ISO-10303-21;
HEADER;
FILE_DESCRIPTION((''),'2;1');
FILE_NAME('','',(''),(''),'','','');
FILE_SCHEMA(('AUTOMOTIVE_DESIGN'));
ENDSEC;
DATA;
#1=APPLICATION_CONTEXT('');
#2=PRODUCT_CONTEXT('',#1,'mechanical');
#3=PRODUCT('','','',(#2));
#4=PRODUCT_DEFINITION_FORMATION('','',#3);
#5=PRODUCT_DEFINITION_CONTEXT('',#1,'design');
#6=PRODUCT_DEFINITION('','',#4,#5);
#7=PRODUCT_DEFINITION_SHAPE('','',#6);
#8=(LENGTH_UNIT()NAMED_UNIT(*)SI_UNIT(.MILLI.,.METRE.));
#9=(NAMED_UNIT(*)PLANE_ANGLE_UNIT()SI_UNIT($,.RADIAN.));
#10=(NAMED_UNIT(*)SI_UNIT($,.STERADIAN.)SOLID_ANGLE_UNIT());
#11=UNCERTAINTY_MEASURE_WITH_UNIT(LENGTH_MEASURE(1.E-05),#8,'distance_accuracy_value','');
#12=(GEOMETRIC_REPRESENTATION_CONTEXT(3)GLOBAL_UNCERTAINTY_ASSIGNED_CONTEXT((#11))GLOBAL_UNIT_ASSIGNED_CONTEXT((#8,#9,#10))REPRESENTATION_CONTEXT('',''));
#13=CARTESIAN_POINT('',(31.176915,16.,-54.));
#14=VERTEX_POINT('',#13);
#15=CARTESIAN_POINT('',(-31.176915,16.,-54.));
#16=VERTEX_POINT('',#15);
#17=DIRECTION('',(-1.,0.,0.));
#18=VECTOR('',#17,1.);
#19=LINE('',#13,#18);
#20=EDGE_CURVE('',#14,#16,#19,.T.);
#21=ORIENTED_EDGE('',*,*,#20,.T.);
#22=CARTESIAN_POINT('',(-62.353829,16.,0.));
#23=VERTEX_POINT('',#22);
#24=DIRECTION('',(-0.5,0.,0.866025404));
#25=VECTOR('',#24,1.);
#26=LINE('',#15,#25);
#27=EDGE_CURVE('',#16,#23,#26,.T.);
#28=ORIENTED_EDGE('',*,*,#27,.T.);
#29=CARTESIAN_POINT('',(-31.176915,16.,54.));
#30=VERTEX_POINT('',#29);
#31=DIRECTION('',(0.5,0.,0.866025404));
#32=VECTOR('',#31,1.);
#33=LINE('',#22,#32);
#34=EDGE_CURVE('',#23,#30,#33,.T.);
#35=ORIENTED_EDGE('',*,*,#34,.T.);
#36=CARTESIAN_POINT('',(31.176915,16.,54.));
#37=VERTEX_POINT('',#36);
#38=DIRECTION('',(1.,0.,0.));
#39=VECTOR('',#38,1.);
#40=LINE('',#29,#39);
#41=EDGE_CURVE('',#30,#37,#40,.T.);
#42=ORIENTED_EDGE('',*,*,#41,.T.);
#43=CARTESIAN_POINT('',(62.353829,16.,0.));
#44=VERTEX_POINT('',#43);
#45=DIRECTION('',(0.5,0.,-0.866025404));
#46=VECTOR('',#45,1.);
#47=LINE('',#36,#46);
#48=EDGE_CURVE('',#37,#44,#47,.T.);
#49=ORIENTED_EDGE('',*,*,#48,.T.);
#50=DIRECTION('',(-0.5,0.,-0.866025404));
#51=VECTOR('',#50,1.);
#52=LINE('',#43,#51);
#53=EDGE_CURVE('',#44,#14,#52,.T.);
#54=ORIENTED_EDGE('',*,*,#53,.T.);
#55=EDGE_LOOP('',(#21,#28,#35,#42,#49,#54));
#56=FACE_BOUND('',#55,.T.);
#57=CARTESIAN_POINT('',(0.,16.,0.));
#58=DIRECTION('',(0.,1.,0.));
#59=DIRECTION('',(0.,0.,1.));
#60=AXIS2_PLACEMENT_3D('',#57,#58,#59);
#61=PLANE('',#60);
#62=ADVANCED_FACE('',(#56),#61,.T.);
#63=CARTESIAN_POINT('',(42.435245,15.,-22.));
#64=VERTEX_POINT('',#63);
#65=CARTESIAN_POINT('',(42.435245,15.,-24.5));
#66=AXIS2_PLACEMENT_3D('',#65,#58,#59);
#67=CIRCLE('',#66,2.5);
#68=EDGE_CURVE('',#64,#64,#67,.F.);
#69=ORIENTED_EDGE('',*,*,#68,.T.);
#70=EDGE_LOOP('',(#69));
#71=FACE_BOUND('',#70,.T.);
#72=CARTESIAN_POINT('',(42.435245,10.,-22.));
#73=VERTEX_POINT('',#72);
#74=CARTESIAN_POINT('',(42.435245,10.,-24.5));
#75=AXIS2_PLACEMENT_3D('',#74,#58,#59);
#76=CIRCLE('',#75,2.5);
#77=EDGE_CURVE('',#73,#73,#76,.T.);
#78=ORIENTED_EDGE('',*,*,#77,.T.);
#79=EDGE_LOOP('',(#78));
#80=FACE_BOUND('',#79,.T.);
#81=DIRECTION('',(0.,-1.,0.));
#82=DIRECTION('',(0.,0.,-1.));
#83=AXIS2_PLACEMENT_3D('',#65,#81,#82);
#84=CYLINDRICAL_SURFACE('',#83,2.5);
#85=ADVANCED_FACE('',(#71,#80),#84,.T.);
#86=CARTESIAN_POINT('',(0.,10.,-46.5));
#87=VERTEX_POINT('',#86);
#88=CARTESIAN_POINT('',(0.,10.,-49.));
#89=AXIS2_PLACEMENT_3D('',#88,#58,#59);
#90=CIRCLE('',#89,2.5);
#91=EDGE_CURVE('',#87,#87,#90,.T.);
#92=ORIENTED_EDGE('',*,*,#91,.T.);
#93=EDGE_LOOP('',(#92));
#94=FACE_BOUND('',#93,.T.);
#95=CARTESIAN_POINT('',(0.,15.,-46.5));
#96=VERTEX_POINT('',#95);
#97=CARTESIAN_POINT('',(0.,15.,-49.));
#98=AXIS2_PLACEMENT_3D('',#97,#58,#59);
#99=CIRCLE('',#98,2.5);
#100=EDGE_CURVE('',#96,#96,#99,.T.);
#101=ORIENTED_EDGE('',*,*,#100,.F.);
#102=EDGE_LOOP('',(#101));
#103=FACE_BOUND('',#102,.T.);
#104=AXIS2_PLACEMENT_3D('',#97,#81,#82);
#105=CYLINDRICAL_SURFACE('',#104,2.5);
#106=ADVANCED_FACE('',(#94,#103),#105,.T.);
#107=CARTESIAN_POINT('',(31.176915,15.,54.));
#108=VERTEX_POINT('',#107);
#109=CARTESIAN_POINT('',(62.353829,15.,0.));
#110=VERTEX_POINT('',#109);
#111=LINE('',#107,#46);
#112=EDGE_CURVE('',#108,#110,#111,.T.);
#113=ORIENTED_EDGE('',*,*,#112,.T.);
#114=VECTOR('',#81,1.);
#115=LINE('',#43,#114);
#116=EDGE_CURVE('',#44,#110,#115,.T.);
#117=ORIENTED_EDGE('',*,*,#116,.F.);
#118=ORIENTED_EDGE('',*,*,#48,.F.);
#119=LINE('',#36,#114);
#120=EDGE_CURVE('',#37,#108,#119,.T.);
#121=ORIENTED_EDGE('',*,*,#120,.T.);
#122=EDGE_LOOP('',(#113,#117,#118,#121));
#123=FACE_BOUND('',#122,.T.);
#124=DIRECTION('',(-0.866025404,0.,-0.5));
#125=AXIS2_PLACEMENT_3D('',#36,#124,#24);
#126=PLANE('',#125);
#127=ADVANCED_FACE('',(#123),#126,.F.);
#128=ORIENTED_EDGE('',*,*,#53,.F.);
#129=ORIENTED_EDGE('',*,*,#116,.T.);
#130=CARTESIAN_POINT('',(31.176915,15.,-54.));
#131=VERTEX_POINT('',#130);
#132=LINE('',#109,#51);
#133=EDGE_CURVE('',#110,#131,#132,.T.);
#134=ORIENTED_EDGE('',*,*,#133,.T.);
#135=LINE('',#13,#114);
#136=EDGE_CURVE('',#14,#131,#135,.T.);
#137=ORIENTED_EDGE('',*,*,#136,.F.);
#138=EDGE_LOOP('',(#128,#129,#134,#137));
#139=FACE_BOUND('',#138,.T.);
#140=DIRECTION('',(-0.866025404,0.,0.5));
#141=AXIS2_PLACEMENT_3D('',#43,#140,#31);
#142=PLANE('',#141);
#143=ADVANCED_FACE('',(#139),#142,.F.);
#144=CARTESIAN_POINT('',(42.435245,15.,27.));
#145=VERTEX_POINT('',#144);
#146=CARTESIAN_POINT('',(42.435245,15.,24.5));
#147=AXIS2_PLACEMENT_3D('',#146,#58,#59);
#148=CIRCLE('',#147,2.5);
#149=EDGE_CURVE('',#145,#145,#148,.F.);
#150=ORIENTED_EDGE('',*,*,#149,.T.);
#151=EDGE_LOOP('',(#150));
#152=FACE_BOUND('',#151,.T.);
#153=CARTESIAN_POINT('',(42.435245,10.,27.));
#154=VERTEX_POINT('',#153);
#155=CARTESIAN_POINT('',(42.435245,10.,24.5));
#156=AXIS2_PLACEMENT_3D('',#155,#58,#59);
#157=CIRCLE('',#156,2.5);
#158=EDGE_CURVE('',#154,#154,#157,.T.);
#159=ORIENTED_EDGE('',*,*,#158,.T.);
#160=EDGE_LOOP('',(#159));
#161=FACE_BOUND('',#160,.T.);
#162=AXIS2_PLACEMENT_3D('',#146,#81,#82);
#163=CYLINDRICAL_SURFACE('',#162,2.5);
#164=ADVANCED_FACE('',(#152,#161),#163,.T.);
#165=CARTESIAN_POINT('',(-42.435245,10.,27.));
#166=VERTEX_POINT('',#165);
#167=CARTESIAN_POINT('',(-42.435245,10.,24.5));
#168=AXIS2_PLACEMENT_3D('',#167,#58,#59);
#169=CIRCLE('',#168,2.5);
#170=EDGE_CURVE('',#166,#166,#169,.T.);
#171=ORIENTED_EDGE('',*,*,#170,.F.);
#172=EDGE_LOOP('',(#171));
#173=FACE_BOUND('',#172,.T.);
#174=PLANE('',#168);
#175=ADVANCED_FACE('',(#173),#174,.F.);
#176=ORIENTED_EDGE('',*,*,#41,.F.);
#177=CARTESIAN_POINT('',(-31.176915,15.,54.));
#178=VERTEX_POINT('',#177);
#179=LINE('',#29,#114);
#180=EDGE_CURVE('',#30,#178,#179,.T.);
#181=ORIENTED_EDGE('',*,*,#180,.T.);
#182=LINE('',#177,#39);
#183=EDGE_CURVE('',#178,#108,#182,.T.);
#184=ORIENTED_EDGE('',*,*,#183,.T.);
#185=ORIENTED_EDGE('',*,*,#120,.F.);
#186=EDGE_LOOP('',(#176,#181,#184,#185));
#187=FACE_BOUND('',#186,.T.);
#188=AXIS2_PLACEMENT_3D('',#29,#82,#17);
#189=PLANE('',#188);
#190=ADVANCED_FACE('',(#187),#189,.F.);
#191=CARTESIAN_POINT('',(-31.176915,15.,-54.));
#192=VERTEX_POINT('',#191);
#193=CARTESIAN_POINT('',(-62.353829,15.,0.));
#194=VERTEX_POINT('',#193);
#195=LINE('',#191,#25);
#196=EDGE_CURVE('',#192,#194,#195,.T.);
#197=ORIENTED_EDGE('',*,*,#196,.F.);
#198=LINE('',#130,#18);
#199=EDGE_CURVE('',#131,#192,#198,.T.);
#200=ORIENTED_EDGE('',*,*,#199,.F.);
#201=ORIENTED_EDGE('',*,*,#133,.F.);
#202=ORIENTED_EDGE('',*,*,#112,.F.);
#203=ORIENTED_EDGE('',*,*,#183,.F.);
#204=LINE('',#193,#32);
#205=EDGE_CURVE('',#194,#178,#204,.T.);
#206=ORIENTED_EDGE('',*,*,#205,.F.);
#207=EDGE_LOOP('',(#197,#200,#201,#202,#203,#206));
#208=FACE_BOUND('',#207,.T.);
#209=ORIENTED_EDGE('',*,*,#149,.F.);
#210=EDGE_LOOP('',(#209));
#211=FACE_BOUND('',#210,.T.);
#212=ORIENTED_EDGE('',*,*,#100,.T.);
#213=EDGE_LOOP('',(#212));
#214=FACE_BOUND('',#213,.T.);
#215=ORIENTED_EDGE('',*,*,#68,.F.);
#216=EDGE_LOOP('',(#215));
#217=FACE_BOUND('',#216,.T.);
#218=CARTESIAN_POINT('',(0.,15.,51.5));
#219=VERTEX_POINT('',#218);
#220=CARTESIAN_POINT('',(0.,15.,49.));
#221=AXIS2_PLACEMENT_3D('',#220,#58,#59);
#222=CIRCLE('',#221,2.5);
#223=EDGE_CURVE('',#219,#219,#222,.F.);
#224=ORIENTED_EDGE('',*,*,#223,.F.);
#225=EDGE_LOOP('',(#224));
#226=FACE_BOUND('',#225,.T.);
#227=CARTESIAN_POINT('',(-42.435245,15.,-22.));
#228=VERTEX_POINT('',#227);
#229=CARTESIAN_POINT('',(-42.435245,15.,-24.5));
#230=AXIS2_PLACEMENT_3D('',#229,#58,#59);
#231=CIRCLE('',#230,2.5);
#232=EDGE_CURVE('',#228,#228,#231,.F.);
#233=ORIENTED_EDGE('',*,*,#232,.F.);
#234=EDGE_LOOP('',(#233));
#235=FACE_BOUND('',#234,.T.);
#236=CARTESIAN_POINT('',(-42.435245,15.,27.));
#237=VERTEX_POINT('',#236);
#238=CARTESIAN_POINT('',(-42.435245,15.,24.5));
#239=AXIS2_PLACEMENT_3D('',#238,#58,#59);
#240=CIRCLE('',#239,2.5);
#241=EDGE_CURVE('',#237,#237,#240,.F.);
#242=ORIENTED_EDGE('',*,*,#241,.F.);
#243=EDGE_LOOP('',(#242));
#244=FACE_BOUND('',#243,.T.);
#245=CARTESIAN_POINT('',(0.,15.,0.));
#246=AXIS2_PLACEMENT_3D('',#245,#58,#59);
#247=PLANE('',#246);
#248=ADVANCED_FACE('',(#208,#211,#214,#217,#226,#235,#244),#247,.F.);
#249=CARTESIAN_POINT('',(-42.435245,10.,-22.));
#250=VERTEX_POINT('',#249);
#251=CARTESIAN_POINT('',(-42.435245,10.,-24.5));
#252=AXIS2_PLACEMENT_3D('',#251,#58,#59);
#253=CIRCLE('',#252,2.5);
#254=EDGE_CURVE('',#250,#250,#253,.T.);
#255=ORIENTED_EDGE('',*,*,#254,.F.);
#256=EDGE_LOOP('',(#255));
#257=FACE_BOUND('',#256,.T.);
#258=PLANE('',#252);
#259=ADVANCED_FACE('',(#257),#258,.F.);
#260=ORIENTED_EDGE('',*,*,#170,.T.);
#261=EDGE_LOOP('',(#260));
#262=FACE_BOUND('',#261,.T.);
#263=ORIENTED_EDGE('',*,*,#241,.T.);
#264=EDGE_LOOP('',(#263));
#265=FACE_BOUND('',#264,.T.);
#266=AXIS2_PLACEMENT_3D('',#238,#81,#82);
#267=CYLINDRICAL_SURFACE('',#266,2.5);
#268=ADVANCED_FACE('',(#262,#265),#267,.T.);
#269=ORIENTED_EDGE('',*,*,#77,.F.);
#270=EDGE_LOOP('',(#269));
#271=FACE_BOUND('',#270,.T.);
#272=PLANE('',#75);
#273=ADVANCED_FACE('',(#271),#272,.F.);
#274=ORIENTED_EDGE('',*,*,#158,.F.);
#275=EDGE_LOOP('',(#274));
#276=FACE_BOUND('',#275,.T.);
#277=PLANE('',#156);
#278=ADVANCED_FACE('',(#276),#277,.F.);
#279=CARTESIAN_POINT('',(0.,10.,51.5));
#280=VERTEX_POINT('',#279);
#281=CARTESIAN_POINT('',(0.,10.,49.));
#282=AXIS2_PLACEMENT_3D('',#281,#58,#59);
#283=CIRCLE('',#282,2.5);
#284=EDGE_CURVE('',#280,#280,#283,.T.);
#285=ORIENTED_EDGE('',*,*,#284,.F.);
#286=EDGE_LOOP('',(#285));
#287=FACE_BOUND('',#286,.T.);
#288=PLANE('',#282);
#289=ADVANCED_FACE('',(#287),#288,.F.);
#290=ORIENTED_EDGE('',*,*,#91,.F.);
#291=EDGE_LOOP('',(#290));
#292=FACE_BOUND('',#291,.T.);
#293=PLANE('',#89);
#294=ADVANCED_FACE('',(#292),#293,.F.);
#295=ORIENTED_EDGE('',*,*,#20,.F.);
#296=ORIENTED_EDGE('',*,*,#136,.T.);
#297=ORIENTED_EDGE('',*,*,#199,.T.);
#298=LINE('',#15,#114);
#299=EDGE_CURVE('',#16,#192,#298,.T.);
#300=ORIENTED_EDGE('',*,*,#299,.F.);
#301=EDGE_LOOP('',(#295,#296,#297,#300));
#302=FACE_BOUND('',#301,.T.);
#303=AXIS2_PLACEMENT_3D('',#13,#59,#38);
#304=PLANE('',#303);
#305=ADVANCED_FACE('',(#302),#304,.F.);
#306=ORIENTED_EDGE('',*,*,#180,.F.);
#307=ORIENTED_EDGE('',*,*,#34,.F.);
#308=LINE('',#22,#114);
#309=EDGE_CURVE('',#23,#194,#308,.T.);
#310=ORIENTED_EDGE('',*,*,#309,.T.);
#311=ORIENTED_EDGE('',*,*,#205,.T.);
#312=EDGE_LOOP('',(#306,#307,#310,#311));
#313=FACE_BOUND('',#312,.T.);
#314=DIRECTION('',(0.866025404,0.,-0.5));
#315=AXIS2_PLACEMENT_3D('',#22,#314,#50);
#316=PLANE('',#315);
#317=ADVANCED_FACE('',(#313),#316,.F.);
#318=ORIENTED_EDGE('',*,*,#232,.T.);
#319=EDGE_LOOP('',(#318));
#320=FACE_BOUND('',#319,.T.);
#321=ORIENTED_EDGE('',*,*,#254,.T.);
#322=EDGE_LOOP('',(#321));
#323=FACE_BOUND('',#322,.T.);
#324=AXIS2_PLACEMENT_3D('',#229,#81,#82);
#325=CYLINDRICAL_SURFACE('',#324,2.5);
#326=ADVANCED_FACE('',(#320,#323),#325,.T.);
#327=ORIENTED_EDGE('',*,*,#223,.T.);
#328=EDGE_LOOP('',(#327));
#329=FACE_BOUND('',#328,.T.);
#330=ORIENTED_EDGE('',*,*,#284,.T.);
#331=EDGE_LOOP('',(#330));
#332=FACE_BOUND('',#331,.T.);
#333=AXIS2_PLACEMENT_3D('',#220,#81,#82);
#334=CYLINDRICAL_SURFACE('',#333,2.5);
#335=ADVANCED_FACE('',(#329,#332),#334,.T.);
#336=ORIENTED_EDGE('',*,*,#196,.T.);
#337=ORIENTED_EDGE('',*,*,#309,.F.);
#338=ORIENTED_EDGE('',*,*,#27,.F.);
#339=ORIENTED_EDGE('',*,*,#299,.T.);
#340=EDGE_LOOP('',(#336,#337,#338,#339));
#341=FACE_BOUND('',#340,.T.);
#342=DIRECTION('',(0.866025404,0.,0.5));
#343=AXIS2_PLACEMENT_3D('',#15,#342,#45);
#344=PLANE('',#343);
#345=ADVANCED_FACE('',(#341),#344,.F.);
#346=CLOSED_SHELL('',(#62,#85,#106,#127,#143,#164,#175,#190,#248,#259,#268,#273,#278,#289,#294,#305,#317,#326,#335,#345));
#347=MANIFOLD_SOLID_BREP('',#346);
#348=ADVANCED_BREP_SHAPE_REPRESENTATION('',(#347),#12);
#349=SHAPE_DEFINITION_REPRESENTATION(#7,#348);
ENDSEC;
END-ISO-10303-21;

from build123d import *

# Parameters (mm, degrees)
SKETCH1_R             = 2.5
BOSS_EXTRUDE1_DEPTH   = 5
BOSS_EXTRUDE1_2_DEPTH = 5
BOSS_EXTRUDE1_3_DEPTH = 5
BOSS_EXTRUDE1_4_DEPTH = 5
BOSS_EXTRUDE1_5_DEPTH = 5
BOSS_EXTRUDE1_6_DEPTH = 5
BOSS_EXTRUDE2_DEPTH   = 1


with BuildPart() as part:
    # Sketch1 → Boss-Extrude1 (new body)
    with BuildSketch(Plane(origin=(0, 10, 0), x_dir=(1, 0, 0), z_dir=(0, 1, 0))):
        with Locations(Location((0, 49, 0), (0, 0, 270))):
            Circle(SKETCH1_R)
    extrude(amount=BOSS_EXTRUDE1_DEPTH)



with BuildPart() as body_2:
    # Sketch1 → Boss-Extrude1 2 (new body)
    with BuildSketch(Plane(origin=(0, 10, 0), x_dir=(1, 0, 0), z_dir=(0, 1, 0))):
        with Locations(Location((42.435244785, 24.5, 0), (0, 0, 270))):
            Circle(SKETCH1_R)
    extrude(amount=BOSS_EXTRUDE1_2_DEPTH)


with BuildPart() as body_3:
    # Sketch1 → Boss-Extrude1 3 (new body)
    with BuildSketch(Plane(origin=(0, 10, 0), x_dir=(1, 0, 0), z_dir=(0, 1, 0))):
        with Locations(Location((42.435244785, -24.5, 0), (0, 0, 270))):
            Circle(SKETCH1_R)
    extrude(amount=BOSS_EXTRUDE1_3_DEPTH)


with BuildPart() as body_4:
    # Sketch1 → Boss-Extrude1 4 (new body)
    with BuildSketch(Plane(origin=(0, 10, 0), x_dir=(1, 0, 0), z_dir=(0, 1, 0))):
        with Locations(Location((0, -49, 0), (0, 0, 270))):
            Circle(SKETCH1_R)
    extrude(amount=BOSS_EXTRUDE1_4_DEPTH)


with BuildPart() as body_5:
    # Sketch1 → Boss-Extrude1 5 (new body)
    with BuildSketch(Plane(origin=(0, 10, 0), x_dir=(1, 0, 0), z_dir=(0, 1, 0))):
        with Locations(Location((-42.435244785, -24.5, 0), (0, 0, 270))):
            Circle(SKETCH1_R)
    extrude(amount=BOSS_EXTRUDE1_5_DEPTH)


with BuildPart() as body_6:
    # Sketch1 → Boss-Extrude1 6 (new body)
    with BuildSketch(Plane(origin=(0, 10, 0), x_dir=(1, 0, 0), z_dir=(0, 1, 0))):
        with Locations(Location((-42.435244785, 24.5, 0), (0, 0, 270))):
            Circle(SKETCH1_R)
    extrude(amount=BOSS_EXTRUDE1_6_DEPTH)


with BuildPart() as part_1:
    add(part.part)

    add(body_2.part)  # Boss-Extrude2 merges body 2

    add(body_3.part)  # Boss-Extrude2 merges body 3

    add(body_4.part)  # Boss-Extrude2 merges body 4

    add(body_5.part)  # Boss-Extrude2 merges body 5

    add(body_6.part)  # Boss-Extrude2 merges body 6
    # Sketch2 → Boss-Extrude2 (add)
    with BuildSketch(Plane(origin=(0, 15, 0), x_dir=(1, 0, 0), z_dir=(0, 1, 0))):
        Polygon((62.353829072, 0), (31.176914536, 54), (-31.176914536, 54), (-62.353829072, 0), (-31.176914536, -54), (31.176914536, -54), align=None)
    extrude(amount=BOSS_EXTRUDE2_DEPTH)


solid = part_1.part
